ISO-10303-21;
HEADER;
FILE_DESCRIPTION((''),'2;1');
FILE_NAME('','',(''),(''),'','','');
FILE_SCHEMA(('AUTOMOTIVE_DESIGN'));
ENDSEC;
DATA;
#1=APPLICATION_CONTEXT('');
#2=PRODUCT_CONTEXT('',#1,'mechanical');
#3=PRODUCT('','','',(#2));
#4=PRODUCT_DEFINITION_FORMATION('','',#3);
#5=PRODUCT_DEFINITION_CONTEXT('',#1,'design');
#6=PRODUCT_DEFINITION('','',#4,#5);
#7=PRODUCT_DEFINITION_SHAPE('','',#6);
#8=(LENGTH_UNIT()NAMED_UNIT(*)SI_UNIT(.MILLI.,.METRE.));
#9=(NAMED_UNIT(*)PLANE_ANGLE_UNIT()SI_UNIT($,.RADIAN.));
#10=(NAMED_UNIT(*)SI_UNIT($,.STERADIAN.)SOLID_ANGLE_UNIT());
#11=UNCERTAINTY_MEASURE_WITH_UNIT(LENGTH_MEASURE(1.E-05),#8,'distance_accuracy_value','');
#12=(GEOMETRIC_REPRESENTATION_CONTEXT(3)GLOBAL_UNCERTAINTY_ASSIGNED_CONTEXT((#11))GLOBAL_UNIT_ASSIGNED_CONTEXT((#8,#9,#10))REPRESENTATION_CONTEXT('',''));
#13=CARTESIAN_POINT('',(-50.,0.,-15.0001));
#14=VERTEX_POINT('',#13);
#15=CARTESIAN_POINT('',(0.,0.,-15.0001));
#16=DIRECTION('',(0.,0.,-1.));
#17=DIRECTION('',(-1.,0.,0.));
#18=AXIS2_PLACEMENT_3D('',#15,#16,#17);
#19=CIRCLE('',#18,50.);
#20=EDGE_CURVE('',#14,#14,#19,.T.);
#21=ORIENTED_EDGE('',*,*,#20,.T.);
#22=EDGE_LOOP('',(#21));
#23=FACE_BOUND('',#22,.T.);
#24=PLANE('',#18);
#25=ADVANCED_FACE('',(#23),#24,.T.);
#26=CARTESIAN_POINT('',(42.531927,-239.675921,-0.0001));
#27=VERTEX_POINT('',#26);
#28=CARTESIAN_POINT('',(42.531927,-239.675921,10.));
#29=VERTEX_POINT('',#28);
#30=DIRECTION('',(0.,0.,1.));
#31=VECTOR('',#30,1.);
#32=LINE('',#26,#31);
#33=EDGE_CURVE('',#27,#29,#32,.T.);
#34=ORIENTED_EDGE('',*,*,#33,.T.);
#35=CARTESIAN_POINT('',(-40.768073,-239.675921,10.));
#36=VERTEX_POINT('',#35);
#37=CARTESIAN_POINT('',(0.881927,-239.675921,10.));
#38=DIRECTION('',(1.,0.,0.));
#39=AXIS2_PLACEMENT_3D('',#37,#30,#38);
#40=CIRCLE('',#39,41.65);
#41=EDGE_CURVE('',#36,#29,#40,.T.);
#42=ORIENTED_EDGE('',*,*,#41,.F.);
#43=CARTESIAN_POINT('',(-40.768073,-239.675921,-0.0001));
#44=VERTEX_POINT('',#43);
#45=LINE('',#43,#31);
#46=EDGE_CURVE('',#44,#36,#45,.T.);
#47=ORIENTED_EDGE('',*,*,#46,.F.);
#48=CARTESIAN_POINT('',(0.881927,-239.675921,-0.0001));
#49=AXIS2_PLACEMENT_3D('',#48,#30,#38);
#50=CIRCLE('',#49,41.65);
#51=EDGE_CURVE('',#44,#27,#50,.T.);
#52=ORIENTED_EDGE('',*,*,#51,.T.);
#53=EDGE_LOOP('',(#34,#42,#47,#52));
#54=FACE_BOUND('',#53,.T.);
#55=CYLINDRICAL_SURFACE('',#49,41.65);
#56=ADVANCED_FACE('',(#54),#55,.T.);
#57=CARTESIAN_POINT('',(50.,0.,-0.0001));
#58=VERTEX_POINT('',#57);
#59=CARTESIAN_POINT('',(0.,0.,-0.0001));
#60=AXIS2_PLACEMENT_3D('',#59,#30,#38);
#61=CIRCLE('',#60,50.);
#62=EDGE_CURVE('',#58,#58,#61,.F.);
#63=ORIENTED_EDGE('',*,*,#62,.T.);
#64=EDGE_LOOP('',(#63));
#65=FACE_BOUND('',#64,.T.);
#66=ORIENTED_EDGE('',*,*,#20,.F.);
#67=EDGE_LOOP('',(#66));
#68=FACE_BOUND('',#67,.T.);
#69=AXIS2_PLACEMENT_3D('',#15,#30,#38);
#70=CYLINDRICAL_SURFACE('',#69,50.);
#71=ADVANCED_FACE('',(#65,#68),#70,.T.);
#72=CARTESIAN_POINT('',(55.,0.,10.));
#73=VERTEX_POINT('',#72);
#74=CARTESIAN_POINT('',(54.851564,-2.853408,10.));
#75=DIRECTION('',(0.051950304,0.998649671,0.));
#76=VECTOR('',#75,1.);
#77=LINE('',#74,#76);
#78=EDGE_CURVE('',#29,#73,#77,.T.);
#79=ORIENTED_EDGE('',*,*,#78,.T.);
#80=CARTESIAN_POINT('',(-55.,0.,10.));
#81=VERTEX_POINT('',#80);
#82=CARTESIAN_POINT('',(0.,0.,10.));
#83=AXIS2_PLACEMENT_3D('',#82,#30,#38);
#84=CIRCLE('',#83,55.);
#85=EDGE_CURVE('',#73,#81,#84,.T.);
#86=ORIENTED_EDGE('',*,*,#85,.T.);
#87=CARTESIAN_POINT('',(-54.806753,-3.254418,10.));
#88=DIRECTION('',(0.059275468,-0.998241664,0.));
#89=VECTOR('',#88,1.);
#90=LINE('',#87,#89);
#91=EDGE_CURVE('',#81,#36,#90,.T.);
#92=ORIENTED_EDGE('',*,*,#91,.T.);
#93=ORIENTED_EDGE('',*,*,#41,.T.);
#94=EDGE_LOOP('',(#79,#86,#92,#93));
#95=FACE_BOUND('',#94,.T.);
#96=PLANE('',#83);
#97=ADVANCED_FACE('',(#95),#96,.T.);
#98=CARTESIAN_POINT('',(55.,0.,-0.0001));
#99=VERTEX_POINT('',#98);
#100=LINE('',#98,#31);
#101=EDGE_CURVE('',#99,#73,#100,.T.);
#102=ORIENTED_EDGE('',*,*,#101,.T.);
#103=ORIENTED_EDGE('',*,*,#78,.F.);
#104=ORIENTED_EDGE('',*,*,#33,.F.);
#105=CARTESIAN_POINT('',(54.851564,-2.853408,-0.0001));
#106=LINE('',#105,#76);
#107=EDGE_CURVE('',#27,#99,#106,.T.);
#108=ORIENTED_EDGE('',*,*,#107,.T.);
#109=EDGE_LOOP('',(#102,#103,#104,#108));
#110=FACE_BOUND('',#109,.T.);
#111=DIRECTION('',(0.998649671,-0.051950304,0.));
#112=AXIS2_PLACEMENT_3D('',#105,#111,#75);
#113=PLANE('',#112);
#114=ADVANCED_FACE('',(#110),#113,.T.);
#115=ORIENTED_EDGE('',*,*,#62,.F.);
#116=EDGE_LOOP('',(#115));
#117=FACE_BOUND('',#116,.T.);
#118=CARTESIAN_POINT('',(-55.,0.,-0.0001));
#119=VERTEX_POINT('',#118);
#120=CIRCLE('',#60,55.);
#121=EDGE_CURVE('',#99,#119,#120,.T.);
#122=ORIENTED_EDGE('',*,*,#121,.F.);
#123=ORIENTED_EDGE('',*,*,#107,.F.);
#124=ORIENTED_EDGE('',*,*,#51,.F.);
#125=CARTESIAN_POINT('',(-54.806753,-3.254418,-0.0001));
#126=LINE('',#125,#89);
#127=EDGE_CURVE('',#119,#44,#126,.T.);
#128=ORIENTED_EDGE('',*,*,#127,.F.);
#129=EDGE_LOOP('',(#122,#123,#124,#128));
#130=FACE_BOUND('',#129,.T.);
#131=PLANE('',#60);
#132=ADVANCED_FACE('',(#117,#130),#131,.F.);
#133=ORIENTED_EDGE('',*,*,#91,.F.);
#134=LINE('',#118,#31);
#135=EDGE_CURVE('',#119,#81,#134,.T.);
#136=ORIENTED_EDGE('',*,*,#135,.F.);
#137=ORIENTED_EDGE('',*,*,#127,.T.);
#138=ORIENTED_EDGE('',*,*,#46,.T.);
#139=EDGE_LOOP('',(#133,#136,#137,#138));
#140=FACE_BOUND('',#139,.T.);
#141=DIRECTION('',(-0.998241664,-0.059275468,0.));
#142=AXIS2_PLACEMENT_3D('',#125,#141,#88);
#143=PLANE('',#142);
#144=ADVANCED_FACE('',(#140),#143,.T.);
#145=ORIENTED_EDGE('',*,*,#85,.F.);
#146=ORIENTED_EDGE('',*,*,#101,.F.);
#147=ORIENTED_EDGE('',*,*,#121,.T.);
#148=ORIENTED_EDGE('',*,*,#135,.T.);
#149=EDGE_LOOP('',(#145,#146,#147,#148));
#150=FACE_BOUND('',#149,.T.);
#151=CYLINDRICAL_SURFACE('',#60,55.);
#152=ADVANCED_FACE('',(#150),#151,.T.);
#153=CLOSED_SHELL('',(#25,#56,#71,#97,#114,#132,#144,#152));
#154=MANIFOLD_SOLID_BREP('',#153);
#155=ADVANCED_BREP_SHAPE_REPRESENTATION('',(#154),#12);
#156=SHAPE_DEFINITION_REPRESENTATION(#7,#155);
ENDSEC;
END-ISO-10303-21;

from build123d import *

# Parameters (mm, degrees)
BOSS_EXTRUDE1_DEPTH      = 10
BOSS_EXTRUDE1_DEPTH_BACK = 0.0001
SKETCH2_R                = 50
BOSS_EXTRUDE2_DEPTH      = 15


with BuildPart() as part:
    # Sketch1 → Boss-Extrude1 (new, two sides: drawn at the far end of the back side and taken through both)
    with BuildSketch(Plane.XY.offset(-BOSS_EXTRUDE1_DEPTH_BACK)):
        with BuildLine():
            ThreePointArc((55, 0), (0, 55), (-55, 0))
            Line((-55, 0), (-40.768073077, -239.675921097))
            ThreePointArc((-40.768073077, -239.675921097), (0.881926923, -281.325921097), (42.531926923, -239.675921097))
            Line((42.531926923, -239.675921097), (55, 0))
        make_face()
    extrude(amount=BOSS_EXTRUDE1_DEPTH + BOSS_EXTRUDE1_DEPTH_BACK)

    # Sketch2 → Boss-Extrude2 (add)
    with BuildSketch(Plane(origin=(0, 0, -0.0001), x_dir=(-1, 0, 0), z_dir=(0, 0, -1))):
        with Locations(Location((0, 0, 0), (0, 0, 180))):
            Circle(SKETCH2_R)
    extrude(amount=BOSS_EXTRUDE2_DEPTH)


solid = part.part
